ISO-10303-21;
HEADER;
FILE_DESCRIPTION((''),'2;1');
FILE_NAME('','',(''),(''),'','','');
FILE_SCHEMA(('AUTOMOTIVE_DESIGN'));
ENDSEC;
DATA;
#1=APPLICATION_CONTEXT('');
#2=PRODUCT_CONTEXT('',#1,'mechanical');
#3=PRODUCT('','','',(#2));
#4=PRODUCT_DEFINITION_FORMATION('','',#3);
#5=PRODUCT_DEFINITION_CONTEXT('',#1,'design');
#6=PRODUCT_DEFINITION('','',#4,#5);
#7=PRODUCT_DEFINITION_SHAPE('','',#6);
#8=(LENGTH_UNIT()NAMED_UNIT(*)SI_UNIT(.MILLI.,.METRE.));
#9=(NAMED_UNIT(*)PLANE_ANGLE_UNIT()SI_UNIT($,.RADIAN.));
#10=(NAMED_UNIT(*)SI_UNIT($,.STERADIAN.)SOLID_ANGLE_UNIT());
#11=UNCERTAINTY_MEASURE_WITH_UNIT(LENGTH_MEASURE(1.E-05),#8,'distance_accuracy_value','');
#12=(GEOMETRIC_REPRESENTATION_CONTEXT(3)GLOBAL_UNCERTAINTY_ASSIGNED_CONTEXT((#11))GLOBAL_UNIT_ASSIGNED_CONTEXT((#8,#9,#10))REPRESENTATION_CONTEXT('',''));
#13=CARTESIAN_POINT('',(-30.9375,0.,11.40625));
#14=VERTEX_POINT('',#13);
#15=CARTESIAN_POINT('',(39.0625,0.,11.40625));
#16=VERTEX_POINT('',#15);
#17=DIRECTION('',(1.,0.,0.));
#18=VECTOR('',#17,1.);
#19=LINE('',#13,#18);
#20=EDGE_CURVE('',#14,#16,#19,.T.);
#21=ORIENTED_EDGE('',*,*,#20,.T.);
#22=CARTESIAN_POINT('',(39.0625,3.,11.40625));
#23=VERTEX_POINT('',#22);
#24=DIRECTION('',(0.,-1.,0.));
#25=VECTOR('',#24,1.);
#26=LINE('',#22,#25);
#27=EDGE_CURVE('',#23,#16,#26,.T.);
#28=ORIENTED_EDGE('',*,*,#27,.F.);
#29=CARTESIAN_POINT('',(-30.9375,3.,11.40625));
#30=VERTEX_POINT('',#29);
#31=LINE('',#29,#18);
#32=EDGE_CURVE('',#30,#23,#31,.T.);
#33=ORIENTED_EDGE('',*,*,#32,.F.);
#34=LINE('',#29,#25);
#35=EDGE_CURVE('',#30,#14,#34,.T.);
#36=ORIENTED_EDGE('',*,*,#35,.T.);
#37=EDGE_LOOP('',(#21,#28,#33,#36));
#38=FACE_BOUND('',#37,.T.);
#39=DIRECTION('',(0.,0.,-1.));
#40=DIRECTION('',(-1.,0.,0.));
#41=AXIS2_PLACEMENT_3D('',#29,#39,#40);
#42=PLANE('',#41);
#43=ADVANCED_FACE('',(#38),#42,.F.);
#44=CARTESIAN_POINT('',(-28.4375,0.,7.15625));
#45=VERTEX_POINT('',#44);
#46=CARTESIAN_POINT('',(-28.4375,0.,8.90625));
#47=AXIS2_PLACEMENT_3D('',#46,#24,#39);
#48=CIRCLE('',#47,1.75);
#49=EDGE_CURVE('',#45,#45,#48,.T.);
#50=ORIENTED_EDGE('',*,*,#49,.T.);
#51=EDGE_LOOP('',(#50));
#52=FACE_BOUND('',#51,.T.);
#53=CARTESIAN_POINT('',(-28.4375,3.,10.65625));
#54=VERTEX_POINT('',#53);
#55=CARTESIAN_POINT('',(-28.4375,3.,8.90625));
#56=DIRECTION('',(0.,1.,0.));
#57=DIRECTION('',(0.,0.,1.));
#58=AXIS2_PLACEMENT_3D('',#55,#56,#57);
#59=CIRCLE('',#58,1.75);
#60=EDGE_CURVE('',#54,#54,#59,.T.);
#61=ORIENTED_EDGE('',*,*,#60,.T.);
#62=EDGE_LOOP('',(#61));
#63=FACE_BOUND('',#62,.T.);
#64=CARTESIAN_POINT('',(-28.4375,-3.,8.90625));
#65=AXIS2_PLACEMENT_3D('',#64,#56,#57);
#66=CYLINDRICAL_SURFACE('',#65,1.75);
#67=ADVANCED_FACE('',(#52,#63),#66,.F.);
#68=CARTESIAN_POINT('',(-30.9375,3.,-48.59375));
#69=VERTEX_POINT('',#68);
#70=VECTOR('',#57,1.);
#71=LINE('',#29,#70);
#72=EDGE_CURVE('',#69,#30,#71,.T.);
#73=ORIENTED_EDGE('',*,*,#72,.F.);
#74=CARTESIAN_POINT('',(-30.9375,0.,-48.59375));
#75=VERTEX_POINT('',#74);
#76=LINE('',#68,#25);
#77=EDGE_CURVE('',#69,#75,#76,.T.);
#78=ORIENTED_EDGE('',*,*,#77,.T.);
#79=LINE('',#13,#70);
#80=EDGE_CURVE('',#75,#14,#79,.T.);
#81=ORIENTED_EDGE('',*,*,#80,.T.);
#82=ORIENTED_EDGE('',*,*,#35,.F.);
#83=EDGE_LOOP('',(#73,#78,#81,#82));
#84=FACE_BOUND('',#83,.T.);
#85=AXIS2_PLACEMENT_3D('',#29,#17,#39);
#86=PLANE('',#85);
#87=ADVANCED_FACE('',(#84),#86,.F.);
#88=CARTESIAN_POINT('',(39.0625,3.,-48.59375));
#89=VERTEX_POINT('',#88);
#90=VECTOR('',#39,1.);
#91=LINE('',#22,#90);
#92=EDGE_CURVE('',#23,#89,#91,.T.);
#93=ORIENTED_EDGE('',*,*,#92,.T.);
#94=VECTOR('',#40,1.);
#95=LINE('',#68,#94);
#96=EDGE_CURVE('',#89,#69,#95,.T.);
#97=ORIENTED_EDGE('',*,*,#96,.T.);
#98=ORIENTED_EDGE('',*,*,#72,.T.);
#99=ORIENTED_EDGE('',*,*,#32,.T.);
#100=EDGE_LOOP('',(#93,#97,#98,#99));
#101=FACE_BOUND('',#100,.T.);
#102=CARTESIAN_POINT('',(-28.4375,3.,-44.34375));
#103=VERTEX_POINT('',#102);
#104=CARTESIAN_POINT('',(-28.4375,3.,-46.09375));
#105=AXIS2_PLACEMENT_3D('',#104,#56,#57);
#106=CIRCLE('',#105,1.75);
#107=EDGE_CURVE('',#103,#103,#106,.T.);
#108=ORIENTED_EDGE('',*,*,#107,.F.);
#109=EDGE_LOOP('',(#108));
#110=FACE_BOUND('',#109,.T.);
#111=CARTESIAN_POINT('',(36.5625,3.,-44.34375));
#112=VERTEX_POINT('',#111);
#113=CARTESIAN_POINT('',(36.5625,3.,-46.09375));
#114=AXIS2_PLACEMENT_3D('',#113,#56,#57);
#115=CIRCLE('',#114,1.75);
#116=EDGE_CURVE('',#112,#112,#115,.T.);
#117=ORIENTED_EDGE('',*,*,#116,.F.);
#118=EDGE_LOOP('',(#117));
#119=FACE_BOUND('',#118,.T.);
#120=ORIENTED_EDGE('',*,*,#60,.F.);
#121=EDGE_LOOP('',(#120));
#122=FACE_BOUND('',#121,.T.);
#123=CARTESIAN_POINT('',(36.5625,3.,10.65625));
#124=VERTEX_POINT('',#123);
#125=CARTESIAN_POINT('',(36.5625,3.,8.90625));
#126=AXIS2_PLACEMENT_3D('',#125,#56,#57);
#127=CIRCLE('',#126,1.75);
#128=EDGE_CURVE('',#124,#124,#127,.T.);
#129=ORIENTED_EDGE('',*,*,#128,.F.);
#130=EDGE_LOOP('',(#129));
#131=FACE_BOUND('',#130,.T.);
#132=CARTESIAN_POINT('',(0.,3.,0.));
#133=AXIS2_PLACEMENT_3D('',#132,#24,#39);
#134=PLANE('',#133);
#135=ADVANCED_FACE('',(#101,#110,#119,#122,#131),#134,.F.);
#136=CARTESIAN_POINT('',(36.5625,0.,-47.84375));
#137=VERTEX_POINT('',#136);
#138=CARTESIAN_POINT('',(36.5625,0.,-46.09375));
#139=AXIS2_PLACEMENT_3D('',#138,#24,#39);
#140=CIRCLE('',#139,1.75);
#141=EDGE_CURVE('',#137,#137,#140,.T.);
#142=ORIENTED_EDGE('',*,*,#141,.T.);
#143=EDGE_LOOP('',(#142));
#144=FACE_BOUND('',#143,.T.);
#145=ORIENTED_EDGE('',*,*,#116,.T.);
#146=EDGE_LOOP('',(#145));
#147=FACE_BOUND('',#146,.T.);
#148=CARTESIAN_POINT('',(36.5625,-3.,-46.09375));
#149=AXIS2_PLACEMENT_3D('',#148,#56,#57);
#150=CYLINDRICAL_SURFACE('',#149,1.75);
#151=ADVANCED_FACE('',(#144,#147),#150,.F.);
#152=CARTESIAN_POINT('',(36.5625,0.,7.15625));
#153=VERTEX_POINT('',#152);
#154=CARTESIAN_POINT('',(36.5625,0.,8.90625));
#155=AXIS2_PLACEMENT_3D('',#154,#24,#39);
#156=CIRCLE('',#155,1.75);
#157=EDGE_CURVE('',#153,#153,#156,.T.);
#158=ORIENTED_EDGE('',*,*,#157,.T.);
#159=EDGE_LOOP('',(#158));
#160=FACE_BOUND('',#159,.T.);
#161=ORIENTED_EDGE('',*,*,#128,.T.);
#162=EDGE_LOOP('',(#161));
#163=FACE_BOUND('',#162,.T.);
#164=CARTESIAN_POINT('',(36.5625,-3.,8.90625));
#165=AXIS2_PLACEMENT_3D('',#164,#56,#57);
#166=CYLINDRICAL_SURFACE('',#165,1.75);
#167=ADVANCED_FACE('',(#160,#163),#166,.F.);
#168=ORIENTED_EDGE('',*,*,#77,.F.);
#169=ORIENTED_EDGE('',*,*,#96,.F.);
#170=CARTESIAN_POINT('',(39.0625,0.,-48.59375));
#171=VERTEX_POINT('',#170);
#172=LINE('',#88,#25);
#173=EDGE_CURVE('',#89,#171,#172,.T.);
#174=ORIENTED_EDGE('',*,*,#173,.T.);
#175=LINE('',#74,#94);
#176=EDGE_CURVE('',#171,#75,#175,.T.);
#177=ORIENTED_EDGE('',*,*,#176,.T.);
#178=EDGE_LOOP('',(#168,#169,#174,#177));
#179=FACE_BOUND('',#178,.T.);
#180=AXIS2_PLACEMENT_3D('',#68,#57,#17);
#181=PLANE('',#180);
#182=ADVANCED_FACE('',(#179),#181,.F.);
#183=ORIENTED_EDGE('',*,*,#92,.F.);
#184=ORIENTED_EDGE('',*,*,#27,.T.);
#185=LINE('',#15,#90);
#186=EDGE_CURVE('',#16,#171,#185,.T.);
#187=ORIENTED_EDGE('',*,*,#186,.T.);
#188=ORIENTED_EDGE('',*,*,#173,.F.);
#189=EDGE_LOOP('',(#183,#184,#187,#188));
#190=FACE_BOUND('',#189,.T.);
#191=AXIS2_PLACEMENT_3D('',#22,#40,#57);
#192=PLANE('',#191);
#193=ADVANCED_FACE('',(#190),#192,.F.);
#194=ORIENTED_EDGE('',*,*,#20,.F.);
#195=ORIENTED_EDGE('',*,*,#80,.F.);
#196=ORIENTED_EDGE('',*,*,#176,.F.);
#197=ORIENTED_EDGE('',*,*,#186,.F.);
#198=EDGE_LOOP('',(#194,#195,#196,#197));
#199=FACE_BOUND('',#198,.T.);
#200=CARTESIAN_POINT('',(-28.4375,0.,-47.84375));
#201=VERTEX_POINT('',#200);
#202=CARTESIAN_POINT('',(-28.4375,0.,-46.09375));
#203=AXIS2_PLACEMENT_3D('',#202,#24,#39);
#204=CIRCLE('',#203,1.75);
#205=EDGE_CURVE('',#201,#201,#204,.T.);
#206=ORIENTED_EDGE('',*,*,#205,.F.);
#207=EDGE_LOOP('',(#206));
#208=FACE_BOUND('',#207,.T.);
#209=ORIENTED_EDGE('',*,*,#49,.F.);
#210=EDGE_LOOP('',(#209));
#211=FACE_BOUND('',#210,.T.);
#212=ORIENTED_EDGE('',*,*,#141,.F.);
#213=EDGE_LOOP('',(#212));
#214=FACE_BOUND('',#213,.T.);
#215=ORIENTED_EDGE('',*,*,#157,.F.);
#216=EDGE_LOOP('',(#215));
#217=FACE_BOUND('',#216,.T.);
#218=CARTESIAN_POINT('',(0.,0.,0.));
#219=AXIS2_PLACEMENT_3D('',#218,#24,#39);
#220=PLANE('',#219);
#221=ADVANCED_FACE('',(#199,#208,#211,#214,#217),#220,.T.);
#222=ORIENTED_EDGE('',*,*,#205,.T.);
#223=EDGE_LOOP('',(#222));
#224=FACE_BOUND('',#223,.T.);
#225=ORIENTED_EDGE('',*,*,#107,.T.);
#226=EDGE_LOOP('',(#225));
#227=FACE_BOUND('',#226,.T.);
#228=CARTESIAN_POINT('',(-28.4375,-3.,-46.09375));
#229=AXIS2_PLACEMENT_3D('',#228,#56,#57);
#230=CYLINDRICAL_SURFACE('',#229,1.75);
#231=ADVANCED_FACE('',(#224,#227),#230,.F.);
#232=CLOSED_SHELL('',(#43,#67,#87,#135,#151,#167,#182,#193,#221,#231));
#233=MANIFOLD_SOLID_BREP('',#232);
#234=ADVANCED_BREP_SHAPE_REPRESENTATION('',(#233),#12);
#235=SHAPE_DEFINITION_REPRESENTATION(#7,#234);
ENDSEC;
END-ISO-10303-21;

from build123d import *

# Parameters (mm, degrees)
SKETCH1_W           = 70
SKETCH1_H           = 60
BOSS_EXTRUDE1_DEPTH = 3
SKETCH2_R           = 1.75
CUT_EXTRUDE1_DEPTH  = 6


with BuildPart() as part:
    # Sketch1 → Boss-Extrude1 (new body)
    with BuildSketch(Plane(origin=(0, 0, 0), x_dir=(1, 0, 0), z_dir=(0, 1, 0))):
        with Locations((4.0625, 18.59375)):
            Rectangle(SKETCH1_W, SKETCH1_H)
    extrude(amount=BOSS_EXTRUDE1_DEPTH)

    # Sketch2 → Cut-Extrude1 (cut)
    with BuildSketch(Plane(origin=(0, 3, 0), x_dir=(1, 0, 0), z_dir=(0, 1, 0))):
        with Locations((-28.4375, 46.09375)):
            Circle(SKETCH2_R)
        with Locations((36.5625, 46.09375)):
            Circle(SKETCH2_R)
        with Locations((36.5625, -8.90625)):
            Circle(SKETCH2_R)
        with Locations((-28.4375, -8.90625)):
            Circle(SKETCH2_R)
    extrude(amount=-CUT_EXTRUDE1_DEPTH, mode=Mode.SUBTRACT)


solid = part.part
